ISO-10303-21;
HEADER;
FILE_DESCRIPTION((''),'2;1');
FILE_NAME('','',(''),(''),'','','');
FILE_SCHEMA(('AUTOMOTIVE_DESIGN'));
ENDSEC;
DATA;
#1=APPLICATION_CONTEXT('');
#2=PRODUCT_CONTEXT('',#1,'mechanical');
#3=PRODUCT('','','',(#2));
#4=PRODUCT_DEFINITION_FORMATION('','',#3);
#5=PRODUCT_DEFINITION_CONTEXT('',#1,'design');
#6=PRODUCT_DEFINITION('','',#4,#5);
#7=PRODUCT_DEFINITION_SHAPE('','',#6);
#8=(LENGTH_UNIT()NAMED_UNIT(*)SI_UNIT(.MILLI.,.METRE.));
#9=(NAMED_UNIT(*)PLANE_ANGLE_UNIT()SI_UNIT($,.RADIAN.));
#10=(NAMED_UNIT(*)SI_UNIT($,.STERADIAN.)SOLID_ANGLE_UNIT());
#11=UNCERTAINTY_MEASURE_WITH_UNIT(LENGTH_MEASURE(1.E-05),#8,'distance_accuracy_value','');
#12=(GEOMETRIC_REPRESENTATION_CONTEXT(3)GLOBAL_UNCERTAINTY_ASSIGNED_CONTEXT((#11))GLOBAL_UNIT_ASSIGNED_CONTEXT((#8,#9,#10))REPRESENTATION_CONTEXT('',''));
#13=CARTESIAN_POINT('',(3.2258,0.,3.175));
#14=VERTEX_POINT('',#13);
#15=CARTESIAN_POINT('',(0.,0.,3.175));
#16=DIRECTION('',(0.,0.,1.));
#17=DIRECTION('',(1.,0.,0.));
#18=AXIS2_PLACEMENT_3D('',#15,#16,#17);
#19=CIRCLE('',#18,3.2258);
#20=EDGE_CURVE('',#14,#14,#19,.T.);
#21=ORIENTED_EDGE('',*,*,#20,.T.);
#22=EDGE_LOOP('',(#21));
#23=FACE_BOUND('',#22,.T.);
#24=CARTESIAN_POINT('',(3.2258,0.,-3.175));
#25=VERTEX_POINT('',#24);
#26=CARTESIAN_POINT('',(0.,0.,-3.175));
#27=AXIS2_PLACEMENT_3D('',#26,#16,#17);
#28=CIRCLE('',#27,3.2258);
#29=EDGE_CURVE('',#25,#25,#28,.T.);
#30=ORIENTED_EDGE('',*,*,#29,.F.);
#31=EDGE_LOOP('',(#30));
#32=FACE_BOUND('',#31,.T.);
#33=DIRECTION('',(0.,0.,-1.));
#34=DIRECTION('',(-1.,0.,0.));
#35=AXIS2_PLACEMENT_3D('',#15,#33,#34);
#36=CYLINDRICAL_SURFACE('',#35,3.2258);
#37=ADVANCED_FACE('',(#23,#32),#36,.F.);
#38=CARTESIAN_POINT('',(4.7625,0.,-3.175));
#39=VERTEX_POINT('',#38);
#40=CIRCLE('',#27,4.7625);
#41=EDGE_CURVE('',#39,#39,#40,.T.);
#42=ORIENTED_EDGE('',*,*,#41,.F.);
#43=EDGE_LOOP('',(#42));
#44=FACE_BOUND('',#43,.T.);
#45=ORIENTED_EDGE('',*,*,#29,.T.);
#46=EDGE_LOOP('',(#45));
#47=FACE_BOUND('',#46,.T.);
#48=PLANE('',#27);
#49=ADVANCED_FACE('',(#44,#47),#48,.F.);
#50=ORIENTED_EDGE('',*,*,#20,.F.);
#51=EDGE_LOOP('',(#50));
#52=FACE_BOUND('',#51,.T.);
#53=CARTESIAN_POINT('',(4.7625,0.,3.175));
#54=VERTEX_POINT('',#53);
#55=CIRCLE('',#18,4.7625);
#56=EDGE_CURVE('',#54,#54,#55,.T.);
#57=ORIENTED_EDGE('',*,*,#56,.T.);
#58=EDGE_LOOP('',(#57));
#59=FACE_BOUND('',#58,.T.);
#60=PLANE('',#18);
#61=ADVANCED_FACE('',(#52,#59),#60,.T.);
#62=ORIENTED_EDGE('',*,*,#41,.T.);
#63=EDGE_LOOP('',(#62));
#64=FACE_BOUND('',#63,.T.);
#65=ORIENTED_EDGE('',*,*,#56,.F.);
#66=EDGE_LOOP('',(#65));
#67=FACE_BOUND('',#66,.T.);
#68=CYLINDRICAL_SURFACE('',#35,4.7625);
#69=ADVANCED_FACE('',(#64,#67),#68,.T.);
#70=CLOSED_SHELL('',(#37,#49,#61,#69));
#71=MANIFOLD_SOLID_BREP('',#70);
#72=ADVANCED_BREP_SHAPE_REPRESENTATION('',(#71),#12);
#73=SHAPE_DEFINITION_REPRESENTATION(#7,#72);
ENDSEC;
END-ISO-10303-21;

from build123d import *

# Parameters (mm, degrees)
SKETCH1_R      = 4.7625
SKETCH1_R_2    = 3.2258
EXTRUDE1_DEPTH = 3.175


with BuildPart() as part:
    # Sketch1 → Extrude1 (new body, symmetric)
    with BuildSketch(Plane.XY):
        Circle(SKETCH1_R)
        Circle(SKETCH1_R_2, mode=Mode.SUBTRACT)
    extrude(amount=EXTRUDE1_DEPTH, both=True)


solid = part.part
